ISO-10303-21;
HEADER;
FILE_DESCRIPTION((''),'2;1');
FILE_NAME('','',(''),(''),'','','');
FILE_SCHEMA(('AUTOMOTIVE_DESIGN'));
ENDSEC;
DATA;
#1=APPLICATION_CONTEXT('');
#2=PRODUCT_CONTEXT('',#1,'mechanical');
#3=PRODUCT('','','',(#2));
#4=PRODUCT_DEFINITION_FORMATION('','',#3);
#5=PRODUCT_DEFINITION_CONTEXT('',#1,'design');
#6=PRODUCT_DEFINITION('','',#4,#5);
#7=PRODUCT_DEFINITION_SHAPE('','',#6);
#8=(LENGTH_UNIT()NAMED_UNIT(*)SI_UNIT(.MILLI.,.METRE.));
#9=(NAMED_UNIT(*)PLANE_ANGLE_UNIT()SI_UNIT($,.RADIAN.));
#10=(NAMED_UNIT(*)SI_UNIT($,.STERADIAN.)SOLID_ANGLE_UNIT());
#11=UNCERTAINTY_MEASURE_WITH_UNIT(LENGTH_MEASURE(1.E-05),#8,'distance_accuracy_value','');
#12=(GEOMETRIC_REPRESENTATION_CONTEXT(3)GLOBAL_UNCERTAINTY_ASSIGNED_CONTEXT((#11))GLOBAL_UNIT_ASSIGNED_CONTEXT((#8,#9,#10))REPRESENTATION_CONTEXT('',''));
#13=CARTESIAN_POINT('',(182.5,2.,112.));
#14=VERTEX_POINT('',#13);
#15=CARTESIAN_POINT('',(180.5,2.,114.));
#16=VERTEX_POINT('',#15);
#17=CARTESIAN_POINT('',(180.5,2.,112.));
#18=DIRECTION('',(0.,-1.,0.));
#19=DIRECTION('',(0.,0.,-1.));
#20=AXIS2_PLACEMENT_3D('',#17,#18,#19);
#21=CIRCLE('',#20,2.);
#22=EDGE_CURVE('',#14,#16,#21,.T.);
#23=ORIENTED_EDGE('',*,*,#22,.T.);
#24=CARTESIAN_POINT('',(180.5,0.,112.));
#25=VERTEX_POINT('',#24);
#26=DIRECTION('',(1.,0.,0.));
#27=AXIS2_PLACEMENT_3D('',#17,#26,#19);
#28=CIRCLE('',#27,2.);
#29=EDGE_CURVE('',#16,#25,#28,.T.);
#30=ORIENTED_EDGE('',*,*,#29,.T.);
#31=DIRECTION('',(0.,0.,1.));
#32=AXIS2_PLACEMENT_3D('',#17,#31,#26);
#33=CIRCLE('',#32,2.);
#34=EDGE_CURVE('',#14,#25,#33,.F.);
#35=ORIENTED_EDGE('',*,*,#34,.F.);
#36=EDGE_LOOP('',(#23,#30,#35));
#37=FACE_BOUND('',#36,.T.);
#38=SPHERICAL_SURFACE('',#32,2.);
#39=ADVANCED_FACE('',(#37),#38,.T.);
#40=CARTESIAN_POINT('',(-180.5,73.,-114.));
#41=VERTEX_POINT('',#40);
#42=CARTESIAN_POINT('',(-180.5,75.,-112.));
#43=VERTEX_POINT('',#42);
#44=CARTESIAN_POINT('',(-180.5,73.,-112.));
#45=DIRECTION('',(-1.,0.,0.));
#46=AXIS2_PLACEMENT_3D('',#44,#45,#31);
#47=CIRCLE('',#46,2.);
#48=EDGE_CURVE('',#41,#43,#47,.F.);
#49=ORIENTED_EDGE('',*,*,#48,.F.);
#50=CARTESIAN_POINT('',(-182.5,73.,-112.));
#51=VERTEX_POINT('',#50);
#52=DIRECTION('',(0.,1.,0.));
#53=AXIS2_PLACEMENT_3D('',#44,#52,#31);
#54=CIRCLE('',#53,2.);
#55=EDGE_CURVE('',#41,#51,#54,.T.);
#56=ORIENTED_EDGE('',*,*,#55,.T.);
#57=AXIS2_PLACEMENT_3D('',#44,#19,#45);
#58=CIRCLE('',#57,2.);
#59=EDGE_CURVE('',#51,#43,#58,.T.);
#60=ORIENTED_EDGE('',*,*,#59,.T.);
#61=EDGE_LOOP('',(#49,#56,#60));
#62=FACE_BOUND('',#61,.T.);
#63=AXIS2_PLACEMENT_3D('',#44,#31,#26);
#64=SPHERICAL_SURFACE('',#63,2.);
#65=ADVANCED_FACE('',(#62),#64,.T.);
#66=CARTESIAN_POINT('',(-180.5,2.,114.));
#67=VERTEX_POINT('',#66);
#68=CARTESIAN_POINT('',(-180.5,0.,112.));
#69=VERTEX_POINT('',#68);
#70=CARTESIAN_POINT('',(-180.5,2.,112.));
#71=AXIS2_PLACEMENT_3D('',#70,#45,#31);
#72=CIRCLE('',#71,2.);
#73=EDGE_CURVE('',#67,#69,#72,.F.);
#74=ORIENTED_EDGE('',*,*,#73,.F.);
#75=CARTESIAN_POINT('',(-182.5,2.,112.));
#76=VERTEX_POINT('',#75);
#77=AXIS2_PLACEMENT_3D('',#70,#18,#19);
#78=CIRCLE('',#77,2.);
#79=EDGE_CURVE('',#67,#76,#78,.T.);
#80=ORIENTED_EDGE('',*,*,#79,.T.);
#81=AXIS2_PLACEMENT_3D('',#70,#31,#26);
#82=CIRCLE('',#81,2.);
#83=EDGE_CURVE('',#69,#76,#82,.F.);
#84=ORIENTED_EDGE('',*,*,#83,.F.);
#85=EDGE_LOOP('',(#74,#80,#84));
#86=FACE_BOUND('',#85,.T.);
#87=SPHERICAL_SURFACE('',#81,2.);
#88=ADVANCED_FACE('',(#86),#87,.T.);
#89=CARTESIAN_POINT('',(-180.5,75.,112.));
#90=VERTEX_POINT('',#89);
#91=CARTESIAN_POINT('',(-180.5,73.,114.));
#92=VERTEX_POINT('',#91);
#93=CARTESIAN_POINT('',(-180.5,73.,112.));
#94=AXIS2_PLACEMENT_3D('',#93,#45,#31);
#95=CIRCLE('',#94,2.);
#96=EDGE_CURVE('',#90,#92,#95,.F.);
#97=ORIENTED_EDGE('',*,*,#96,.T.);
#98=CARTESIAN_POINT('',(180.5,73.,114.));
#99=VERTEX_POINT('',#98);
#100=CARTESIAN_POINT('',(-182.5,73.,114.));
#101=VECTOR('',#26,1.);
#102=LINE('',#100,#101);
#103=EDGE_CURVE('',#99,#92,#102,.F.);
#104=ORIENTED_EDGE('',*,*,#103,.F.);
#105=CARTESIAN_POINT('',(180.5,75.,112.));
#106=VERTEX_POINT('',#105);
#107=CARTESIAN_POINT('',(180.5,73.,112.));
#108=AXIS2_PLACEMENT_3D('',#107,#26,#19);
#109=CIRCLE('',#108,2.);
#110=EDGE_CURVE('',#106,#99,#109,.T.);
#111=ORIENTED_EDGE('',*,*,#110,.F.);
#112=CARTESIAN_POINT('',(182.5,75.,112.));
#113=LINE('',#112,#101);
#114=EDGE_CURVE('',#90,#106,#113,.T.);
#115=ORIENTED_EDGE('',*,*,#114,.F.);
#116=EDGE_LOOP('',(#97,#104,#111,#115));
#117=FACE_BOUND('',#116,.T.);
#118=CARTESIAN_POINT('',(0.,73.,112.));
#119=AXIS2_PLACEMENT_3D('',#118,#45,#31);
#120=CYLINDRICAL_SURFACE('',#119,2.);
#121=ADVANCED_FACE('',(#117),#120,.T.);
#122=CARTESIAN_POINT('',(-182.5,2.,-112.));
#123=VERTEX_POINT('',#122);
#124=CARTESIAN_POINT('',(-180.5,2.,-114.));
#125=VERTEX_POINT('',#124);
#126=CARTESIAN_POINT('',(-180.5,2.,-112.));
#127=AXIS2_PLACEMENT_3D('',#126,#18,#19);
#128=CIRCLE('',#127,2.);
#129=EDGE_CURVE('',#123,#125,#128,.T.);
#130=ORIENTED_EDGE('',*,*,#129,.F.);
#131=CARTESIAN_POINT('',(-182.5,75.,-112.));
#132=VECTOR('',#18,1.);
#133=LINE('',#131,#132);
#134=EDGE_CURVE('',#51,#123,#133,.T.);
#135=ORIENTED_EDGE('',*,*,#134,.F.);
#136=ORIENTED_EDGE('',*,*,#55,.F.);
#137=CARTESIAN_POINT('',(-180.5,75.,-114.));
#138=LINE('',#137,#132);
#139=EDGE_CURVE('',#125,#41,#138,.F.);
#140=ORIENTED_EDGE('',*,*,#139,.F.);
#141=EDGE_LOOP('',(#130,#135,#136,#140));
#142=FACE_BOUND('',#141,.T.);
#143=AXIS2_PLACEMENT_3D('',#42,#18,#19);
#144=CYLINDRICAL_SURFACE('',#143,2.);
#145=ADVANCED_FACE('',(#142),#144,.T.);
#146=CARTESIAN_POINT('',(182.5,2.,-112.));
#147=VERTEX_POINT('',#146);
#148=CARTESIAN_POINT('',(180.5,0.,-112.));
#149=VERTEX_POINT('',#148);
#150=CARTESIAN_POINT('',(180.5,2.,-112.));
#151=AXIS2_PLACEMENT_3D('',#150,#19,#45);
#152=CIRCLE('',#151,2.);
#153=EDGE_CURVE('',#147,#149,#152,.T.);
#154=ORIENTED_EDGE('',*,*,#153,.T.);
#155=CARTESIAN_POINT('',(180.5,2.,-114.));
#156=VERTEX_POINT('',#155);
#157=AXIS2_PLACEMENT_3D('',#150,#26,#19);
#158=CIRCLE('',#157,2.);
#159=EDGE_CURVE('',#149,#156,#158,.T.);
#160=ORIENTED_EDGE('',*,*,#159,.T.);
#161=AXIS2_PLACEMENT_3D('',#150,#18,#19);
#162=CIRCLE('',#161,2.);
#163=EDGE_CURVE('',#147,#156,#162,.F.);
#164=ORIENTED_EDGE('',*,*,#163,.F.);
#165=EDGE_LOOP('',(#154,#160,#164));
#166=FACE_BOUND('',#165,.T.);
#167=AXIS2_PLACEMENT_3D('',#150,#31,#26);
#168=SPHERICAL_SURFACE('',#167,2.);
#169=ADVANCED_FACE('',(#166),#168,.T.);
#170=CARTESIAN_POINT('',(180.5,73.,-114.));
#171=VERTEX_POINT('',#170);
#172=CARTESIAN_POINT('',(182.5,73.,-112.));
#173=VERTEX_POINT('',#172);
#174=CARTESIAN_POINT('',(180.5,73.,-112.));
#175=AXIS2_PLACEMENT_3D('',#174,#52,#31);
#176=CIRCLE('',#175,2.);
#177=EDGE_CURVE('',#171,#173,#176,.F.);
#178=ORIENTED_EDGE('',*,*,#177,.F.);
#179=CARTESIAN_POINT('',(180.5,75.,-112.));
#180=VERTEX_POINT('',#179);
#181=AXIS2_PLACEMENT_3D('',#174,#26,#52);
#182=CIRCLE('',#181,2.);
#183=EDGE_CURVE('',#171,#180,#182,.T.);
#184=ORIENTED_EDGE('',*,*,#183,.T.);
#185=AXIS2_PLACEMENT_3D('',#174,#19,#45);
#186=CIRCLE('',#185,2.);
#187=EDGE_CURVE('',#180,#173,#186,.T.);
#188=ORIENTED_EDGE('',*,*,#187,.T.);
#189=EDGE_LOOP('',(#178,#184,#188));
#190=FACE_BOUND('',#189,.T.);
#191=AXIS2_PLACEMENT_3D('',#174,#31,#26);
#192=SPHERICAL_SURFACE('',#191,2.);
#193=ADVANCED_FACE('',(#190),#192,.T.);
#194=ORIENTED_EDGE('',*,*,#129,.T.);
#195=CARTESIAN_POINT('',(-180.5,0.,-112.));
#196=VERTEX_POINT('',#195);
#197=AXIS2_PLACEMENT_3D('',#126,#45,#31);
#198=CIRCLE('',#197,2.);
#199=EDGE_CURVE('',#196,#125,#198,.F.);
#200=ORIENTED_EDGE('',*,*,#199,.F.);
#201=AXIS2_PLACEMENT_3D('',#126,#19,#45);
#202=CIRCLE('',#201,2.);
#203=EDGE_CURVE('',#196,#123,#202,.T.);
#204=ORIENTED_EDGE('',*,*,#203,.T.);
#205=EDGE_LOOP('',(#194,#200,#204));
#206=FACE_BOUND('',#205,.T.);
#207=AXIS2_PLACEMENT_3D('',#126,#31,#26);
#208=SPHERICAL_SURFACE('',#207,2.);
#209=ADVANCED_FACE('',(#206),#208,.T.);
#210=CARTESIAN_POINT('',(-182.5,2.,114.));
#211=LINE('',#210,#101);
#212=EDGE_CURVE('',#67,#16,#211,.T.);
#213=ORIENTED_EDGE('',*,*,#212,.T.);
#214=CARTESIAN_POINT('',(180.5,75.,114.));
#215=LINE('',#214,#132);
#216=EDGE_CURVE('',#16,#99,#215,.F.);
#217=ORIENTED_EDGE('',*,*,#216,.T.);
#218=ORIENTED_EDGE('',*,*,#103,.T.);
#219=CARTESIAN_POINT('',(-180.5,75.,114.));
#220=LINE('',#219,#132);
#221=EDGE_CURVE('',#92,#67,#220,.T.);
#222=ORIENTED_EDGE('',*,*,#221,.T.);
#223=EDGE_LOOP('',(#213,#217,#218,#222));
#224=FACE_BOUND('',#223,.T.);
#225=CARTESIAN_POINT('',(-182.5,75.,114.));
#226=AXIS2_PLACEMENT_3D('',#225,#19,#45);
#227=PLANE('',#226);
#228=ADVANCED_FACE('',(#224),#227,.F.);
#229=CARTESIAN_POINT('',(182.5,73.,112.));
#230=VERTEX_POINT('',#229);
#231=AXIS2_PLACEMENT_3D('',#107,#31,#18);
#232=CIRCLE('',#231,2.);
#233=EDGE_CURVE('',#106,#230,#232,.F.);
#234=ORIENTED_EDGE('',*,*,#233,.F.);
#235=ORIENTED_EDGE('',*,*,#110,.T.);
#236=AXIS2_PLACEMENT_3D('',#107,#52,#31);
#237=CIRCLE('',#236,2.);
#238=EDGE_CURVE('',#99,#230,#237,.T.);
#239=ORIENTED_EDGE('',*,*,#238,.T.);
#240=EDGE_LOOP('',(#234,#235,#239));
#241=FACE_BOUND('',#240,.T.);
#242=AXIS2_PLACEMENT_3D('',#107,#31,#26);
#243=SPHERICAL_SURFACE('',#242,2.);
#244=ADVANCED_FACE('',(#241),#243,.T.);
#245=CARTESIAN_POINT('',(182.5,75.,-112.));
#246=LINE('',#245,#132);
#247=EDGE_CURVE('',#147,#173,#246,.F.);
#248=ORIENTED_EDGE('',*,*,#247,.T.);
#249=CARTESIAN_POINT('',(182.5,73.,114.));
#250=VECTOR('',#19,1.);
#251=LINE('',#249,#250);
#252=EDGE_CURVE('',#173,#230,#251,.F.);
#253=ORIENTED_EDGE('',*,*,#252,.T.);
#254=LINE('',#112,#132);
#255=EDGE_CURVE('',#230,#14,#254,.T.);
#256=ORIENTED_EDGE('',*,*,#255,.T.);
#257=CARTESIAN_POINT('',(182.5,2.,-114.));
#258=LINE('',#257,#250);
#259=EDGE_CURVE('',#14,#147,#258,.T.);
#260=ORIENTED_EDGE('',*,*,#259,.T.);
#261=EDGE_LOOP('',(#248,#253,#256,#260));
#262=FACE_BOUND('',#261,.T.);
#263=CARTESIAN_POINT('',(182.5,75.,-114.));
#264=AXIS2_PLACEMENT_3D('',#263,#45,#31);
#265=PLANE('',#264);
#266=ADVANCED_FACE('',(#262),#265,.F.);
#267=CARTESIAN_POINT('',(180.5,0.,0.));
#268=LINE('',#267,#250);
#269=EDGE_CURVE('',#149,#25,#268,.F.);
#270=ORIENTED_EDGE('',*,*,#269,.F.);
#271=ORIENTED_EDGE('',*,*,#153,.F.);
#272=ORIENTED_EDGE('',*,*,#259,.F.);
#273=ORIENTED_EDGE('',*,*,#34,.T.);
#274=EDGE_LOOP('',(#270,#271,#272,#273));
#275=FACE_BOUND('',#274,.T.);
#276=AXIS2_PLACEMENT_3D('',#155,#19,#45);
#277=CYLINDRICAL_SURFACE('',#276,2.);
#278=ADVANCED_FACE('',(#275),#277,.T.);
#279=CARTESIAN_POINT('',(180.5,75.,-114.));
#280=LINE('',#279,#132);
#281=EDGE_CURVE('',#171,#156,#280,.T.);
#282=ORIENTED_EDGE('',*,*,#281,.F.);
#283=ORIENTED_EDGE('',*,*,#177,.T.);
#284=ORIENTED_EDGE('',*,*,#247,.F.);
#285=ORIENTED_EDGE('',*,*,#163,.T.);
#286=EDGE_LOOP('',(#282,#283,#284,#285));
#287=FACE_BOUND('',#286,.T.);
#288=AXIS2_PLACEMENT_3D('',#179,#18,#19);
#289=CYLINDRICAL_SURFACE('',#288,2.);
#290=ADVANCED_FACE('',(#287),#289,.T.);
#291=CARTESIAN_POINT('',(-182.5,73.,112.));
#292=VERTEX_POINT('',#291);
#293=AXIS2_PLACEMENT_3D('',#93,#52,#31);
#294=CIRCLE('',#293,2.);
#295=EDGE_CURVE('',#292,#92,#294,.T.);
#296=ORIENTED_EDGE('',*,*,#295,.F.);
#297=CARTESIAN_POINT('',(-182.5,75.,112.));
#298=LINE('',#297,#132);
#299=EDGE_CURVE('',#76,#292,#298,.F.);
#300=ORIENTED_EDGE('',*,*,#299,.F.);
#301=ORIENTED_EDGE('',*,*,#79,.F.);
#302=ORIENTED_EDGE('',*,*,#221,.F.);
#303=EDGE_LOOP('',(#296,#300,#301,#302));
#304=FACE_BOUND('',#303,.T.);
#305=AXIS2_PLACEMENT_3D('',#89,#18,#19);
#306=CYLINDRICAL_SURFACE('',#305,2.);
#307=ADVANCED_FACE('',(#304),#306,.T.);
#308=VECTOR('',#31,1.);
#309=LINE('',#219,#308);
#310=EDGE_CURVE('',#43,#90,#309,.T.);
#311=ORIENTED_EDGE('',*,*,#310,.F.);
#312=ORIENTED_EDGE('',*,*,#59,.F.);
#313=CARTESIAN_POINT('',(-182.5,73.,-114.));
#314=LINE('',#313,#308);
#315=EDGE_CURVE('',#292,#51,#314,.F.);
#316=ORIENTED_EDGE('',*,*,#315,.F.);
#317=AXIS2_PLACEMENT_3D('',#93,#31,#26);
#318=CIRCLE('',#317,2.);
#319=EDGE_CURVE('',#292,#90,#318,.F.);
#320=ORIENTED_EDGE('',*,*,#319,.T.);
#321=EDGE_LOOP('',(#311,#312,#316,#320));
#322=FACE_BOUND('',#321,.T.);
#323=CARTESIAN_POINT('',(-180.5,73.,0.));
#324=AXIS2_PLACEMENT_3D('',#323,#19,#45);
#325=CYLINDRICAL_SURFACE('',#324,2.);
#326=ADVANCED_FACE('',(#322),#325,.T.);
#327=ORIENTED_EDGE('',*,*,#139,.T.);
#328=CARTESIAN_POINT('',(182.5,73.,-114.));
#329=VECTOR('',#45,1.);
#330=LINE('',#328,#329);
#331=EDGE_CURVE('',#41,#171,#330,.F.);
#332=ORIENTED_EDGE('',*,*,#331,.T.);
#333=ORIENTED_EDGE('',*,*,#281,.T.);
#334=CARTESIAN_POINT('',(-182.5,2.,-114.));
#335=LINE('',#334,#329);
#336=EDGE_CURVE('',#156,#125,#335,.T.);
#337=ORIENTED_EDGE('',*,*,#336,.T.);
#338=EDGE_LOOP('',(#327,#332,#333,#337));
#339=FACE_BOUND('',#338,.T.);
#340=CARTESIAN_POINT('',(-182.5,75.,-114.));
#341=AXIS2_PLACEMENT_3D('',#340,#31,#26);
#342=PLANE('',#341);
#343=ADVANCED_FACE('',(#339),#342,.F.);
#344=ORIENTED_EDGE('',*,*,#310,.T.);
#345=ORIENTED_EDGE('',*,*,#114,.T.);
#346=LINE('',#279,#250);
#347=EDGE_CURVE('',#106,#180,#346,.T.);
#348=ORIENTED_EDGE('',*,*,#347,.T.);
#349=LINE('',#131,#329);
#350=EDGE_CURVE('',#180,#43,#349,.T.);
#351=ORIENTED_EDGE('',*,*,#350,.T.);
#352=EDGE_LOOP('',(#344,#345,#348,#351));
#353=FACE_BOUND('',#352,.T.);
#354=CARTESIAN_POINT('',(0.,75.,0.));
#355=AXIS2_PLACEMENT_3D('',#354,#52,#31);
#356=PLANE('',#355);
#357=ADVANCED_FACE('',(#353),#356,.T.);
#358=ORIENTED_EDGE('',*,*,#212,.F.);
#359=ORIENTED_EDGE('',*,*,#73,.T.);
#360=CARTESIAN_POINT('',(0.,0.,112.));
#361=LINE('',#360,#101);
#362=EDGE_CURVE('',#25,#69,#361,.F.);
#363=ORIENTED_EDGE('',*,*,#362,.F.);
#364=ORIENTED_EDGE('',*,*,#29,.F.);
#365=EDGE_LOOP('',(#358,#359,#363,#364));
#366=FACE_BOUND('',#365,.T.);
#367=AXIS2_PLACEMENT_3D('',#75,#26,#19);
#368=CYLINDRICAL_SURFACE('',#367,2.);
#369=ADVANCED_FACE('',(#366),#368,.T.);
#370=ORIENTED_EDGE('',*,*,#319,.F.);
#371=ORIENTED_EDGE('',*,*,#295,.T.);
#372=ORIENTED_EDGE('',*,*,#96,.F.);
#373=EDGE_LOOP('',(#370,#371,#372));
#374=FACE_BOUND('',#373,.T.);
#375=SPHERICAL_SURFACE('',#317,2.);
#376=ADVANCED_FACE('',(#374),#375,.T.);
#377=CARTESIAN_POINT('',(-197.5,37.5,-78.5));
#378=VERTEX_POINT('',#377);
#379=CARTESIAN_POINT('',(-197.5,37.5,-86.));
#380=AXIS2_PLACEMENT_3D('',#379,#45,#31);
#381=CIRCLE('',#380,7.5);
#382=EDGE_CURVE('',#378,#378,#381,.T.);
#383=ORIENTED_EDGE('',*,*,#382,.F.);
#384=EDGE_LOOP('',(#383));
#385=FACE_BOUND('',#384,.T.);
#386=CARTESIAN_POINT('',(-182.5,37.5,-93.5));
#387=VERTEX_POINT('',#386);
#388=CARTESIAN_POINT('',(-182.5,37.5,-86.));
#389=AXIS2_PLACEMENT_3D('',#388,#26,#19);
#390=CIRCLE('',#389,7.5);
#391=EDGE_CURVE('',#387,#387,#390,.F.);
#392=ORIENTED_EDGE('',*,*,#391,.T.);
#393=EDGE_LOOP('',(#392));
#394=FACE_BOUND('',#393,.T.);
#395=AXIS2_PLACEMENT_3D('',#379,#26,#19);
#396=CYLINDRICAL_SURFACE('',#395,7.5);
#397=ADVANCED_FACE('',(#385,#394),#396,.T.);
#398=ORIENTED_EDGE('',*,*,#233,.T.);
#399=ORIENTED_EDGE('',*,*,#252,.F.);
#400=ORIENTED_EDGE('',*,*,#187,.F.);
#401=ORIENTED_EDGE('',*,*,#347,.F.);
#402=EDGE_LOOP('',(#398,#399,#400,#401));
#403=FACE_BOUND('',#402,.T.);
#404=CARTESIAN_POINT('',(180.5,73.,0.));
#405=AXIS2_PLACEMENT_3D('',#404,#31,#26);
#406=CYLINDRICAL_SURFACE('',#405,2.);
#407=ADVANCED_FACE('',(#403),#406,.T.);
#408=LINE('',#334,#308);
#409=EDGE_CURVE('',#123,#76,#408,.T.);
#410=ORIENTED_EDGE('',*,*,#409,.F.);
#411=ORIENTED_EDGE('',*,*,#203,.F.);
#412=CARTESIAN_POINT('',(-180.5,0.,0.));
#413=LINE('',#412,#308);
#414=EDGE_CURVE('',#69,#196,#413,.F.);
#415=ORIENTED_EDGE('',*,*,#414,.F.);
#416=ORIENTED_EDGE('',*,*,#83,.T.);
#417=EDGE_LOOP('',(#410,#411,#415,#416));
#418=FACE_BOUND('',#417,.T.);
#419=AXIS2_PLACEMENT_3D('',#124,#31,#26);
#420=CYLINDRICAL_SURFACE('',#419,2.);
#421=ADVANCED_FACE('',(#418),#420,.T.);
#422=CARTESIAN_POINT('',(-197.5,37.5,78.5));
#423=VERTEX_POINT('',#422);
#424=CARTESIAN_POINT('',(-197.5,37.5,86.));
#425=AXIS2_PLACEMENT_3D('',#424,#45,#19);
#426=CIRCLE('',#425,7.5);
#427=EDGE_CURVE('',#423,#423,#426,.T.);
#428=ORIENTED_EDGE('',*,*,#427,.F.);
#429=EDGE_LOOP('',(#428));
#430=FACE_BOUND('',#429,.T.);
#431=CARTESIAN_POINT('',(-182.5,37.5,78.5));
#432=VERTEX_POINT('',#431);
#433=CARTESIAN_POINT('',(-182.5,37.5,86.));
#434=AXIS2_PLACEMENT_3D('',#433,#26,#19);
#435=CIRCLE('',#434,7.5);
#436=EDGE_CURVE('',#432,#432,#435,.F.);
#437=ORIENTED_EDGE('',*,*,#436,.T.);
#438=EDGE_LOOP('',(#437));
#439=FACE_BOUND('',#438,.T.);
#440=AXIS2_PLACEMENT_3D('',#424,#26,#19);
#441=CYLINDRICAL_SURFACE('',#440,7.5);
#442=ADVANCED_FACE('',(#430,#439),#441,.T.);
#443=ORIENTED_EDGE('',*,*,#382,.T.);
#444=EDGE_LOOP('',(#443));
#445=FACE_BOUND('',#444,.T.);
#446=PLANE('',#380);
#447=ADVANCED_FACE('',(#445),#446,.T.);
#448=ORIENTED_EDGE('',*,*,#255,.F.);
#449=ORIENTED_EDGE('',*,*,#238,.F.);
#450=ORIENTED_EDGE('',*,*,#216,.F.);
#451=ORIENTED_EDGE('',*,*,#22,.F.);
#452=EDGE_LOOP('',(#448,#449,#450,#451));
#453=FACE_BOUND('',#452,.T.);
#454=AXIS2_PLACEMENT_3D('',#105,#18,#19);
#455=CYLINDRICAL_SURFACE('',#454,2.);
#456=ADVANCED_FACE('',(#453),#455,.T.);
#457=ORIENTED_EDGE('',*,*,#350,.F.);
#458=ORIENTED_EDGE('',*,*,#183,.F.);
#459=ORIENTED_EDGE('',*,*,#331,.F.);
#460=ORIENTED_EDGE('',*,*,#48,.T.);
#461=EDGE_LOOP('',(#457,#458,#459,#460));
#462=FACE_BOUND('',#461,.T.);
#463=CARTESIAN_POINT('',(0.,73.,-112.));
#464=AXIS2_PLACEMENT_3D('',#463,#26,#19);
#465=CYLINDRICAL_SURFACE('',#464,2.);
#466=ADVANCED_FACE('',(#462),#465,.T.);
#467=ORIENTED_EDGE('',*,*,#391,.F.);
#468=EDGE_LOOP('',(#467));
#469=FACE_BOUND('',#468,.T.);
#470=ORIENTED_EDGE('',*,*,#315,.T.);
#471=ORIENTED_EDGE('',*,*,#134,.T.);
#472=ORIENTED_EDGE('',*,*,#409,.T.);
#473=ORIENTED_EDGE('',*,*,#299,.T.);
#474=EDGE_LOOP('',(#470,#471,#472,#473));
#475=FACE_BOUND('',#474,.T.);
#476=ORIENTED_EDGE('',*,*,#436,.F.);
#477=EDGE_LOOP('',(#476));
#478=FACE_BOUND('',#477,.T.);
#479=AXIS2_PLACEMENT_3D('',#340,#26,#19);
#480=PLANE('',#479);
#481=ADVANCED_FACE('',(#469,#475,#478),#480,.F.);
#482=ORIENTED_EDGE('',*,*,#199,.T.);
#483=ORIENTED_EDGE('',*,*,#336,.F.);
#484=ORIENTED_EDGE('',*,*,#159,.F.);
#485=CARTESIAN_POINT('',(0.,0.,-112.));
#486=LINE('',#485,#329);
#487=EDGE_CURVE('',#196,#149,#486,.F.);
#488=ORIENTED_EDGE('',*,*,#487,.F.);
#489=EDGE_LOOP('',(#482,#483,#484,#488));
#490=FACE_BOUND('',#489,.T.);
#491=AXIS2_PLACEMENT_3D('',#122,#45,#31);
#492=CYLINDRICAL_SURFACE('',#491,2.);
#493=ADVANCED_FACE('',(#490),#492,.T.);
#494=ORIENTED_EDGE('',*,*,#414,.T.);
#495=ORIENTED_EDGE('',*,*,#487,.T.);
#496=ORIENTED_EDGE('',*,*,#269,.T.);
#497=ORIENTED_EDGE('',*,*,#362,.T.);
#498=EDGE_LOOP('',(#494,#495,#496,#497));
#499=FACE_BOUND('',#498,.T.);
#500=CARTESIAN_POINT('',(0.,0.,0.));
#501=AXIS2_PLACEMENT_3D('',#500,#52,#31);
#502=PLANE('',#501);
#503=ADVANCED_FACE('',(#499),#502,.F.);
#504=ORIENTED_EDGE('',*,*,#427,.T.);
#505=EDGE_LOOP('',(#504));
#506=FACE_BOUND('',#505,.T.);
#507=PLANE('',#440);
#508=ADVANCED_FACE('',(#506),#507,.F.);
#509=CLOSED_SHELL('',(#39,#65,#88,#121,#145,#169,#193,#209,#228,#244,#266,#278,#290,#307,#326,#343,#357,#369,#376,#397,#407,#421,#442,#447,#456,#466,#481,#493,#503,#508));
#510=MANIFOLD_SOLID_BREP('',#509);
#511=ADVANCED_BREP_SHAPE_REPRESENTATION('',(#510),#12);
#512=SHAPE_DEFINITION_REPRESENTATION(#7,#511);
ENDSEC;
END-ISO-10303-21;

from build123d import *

# Parameters (mm, degrees)
SKETCH_1_W      = 365
SKETCH_1_H      = 228
EXTRUDE_1_DEPTH = 75
SKETCH_2_R      = 7.5
EXTRUDE_2_DEPTH = 15
FILLET_1_R      = 2


with BuildPart() as part:
    # 草图1 → 凸台-拉伸1 (new body)
    with BuildSketch(Plane(origin=(0, 0, 0), x_dir=(1, 0, 0), z_dir=(0, 1, 0))):
        Rectangle(SKETCH_1_W, SKETCH_1_H)
    extrude(amount=EXTRUDE_1_DEPTH)

    # 草图2 → 凸台-拉伸2 (add)
    with BuildSketch(Plane.ZY.offset(182.5)):
        with Locations(Location((-86, 37.5, 0), (0, 0, 180))):
            Circle(SKETCH_2_R)
        with Locations(Location((86, 37.5, 0), (0, 0, 180))):
            Circle(SKETCH_2_R)
    extrude(amount=EXTRUDE_2_DEPTH)

    # 圆角1
    fillet_1_edges = [part.edges().sort_by_distance(p)[0] for p in [
        (182.5, 75, 0),
        (0, 75, -114),
        (-182.5, 75, 0),
        (0, 0, -114),
        (182.5, 0, 0),
        (0, 0, 114),
        (-182.5, 0, 0),
        (-182.5, 37.5, -114),
        (182.5, 37.5, -114),
        (182.5, 37.5, 114),
        (-182.5, 37.5, 114),
        (0, 75, 114),
    ]]
    fillet(fillet_1_edges, radius=FILLET_1_R)


solid = part.part
